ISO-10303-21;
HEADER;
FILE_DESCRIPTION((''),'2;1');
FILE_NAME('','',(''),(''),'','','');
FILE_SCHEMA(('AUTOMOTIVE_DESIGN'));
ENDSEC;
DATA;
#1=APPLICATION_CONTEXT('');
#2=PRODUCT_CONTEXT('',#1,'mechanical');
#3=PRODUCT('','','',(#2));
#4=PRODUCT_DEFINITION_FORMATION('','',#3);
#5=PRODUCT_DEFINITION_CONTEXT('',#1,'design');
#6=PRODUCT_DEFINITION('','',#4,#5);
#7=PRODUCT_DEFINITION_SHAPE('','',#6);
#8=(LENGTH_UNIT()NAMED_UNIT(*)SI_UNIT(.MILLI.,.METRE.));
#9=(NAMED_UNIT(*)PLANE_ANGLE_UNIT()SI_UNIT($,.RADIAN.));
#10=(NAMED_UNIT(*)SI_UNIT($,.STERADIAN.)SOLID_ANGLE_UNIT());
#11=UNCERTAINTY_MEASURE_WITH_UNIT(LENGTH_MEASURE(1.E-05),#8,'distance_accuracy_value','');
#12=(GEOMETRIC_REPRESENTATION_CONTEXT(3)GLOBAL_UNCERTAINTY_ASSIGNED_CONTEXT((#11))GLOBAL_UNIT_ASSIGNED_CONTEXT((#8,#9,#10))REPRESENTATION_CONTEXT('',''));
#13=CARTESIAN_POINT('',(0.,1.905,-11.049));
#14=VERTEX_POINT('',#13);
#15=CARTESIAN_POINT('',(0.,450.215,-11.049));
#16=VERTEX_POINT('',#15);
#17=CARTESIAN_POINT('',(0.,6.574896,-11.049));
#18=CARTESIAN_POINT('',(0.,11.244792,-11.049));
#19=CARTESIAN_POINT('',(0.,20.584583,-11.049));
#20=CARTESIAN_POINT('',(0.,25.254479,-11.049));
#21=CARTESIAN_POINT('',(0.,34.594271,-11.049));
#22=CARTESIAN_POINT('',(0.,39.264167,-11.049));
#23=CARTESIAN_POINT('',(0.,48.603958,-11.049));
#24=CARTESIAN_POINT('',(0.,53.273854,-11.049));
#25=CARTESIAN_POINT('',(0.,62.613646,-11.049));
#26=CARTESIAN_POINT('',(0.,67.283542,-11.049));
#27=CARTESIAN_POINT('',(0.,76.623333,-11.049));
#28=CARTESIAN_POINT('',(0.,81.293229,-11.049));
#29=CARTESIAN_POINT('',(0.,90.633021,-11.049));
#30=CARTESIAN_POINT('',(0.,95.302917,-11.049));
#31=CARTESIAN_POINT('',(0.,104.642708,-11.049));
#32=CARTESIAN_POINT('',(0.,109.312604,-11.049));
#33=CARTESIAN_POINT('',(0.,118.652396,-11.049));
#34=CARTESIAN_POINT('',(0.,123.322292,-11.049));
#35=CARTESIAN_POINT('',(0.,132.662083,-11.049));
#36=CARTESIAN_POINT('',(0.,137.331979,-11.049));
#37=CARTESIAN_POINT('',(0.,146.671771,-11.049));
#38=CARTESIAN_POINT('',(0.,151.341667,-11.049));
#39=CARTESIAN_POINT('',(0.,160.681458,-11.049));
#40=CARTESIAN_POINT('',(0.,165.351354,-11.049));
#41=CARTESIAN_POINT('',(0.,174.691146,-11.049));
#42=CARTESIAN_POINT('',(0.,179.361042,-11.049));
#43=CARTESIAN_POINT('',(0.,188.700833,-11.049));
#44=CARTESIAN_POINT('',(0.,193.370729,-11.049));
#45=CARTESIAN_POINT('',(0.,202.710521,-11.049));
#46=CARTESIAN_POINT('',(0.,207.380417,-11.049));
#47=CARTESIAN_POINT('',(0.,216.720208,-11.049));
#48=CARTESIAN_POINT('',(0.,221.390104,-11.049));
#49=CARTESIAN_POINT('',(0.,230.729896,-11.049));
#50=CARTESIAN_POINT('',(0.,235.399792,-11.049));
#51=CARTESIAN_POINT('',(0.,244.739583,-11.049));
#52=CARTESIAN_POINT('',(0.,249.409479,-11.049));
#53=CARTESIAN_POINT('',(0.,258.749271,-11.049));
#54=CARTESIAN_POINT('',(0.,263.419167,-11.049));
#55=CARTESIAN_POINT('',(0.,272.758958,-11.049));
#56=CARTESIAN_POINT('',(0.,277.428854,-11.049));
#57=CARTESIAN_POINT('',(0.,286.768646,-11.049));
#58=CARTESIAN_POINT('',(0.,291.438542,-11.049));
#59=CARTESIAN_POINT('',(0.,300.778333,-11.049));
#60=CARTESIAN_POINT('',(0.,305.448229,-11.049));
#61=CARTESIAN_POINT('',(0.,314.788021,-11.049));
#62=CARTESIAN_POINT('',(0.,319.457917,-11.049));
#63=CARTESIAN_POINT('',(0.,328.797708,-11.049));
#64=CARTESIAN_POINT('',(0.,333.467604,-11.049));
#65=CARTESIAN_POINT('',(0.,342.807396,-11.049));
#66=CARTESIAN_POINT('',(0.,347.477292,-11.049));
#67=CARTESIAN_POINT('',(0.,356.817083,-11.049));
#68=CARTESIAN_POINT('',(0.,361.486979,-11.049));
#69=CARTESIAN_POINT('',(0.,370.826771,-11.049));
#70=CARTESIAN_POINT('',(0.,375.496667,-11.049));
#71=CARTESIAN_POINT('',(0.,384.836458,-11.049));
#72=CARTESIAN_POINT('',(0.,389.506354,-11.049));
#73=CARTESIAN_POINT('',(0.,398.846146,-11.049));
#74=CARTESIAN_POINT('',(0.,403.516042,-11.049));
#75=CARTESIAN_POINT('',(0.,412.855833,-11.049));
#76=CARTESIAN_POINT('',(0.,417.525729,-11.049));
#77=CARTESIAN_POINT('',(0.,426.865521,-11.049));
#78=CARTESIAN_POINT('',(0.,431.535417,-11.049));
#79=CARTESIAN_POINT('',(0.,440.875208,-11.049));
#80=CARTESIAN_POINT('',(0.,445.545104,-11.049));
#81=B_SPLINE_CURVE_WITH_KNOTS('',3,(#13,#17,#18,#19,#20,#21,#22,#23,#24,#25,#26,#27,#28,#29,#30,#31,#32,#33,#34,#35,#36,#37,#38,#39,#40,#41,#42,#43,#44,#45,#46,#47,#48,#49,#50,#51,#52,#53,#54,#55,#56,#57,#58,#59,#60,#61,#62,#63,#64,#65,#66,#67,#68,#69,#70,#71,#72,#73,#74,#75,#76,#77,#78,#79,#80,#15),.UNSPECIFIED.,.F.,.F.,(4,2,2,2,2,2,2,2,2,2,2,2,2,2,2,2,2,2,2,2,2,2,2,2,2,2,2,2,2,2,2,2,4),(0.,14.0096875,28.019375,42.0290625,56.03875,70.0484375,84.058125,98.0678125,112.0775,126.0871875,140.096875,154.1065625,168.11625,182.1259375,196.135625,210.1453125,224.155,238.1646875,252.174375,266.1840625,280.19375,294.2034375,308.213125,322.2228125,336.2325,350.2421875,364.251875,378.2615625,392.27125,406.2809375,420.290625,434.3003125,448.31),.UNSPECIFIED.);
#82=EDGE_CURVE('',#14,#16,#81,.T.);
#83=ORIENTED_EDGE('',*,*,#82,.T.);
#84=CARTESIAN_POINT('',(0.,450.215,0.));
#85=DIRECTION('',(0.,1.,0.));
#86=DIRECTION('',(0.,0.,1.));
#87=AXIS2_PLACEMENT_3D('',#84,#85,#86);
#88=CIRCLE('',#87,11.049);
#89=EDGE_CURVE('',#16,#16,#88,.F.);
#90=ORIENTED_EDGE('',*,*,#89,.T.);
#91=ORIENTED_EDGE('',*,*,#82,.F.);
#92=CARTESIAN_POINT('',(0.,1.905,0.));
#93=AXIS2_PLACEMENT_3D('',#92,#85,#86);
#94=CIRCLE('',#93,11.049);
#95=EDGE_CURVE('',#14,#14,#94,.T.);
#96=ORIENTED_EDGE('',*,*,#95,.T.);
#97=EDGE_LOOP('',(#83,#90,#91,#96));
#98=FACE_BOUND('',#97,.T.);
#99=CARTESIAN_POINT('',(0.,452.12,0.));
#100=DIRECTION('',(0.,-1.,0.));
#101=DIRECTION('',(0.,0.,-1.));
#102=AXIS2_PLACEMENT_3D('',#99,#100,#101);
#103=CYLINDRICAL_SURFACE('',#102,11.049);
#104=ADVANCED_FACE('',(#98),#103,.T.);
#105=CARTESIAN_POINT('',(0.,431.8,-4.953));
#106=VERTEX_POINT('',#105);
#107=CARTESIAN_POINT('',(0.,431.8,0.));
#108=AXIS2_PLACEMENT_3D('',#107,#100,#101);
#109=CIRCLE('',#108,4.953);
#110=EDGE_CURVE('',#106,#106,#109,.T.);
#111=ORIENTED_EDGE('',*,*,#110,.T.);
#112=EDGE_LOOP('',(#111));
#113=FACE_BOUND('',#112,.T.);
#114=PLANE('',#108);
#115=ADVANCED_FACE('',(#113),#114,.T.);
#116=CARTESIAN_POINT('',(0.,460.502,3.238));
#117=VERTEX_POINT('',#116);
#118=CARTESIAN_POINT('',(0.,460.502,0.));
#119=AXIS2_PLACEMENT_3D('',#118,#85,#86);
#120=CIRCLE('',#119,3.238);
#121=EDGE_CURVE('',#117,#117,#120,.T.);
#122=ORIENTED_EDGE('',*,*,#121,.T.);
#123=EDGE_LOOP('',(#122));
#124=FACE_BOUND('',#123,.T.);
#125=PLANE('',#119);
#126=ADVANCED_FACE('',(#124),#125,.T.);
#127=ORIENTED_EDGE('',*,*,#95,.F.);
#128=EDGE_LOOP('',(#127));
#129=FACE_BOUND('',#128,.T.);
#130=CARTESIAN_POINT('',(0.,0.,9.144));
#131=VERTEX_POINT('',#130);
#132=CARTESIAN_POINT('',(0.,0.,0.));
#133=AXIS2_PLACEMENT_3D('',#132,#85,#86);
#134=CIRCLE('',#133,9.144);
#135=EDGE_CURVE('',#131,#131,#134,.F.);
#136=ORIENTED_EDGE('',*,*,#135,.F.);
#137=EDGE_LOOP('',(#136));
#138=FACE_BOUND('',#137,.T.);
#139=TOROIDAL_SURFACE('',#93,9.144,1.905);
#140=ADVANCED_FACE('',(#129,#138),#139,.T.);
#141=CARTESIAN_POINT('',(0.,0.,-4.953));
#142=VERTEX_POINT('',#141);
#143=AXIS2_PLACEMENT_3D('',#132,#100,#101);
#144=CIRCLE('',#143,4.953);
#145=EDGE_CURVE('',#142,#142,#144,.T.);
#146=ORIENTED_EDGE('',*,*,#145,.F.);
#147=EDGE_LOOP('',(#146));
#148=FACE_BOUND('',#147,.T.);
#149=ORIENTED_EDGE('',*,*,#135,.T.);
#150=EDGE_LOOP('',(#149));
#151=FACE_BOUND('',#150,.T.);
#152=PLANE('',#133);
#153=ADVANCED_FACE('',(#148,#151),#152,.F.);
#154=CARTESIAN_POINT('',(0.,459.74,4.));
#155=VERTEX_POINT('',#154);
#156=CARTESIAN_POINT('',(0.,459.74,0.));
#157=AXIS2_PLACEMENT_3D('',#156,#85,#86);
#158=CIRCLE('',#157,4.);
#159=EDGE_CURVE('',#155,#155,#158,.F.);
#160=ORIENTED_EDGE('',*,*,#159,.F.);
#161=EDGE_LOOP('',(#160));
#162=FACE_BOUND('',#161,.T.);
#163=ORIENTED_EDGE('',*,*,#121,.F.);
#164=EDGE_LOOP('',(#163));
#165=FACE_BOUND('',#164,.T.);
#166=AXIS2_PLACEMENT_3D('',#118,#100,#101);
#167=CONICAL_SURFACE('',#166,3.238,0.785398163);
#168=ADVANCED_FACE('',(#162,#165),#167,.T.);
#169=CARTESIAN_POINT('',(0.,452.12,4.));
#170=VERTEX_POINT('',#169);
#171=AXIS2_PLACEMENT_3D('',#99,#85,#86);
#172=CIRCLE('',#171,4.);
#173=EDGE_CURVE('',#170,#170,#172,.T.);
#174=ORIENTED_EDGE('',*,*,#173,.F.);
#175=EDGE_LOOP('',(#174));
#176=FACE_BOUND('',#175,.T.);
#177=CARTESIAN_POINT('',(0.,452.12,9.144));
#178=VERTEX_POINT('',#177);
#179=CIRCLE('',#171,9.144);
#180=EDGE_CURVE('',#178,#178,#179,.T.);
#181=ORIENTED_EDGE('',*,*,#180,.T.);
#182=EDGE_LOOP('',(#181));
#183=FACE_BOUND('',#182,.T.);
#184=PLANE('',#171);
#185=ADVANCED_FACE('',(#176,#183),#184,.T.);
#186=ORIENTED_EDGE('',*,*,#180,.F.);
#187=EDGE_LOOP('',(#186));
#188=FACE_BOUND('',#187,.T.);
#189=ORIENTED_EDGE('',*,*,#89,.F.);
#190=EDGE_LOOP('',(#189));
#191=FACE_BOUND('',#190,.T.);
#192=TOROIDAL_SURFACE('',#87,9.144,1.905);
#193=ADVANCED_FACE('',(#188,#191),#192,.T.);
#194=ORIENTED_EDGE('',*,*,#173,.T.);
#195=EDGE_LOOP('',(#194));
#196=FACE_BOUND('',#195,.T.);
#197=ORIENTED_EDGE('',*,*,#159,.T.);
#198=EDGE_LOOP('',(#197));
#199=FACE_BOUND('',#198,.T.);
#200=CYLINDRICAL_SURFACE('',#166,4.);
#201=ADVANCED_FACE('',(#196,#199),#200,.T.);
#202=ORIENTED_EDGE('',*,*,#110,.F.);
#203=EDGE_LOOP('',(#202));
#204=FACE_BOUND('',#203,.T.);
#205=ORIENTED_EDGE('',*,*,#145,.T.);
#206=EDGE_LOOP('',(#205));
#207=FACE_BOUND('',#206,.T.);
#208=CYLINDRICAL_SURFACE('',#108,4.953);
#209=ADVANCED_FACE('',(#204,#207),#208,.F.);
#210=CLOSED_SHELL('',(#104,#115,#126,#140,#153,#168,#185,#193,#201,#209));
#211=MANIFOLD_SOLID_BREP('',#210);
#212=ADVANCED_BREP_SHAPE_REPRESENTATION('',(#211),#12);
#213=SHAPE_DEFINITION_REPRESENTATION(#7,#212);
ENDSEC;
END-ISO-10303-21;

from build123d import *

# Parameters (mm, degrees)
SKETCH1_R           = 11.049
BOSS_EXTRUDE1_DEPTH = 452.12
SKETCH2_R           = 4
BOSS_EXTRUDE2_DEPTH = 8.382
CHAMFER1_SIZE       = 0.762
FILLET1_R           = 1.905
SKETCH3_R           = 4.953
CUT_EXTRUDE1_DEPTH  = 431.8


with BuildPart() as part:
    # Sketch1 → Boss-Extrude1 (new body)
    with BuildSketch(Plane(origin=(0, 0, 0), x_dir=(1, 0, 0), z_dir=(0, 1, 0))):
        with Locations(Location((0, 0, 0), (0, 0, 90))):
            Circle(SKETCH1_R)
    extrude(amount=BOSS_EXTRUDE1_DEPTH)

    # Sketch2 → Boss-Extrude2 (add)
    with BuildSketch(Plane(origin=(0, 452.12, 0), x_dir=(1, 0, 0), z_dir=(0, 1, 0))):
        with Locations(Location((0, 0, 0), (0, 0, 270))):
            Circle(SKETCH2_R)
    extrude(amount=BOSS_EXTRUDE2_DEPTH)

    # Chamfer1
    chamfer1_edges = [part.edges().sort_by_distance(p)[0] for p in [
        (0, 460.502, -4),
    ]]
    chamfer(chamfer1_edges, length=CHAMFER1_SIZE)

    # Fillet1
    fillet1_edges = [part.edges().sort_by_distance(p)[0] for p in [
        (0, 0, 11.049),
        (0, 452.12, 11.049),
    ]]
    fillet(fillet1_edges, radius=FILLET1_R)

    # Sketch3 → Cut-Extrude1 (cut)
    with BuildSketch(Plane.XZ):
        with Locations(Location((0, 0, 0), (0, 0, 270))):
            Circle(SKETCH3_R)
    extrude(amount=-CUT_EXTRUDE1_DEPTH, mode=Mode.SUBTRACT)


solid = part.part
